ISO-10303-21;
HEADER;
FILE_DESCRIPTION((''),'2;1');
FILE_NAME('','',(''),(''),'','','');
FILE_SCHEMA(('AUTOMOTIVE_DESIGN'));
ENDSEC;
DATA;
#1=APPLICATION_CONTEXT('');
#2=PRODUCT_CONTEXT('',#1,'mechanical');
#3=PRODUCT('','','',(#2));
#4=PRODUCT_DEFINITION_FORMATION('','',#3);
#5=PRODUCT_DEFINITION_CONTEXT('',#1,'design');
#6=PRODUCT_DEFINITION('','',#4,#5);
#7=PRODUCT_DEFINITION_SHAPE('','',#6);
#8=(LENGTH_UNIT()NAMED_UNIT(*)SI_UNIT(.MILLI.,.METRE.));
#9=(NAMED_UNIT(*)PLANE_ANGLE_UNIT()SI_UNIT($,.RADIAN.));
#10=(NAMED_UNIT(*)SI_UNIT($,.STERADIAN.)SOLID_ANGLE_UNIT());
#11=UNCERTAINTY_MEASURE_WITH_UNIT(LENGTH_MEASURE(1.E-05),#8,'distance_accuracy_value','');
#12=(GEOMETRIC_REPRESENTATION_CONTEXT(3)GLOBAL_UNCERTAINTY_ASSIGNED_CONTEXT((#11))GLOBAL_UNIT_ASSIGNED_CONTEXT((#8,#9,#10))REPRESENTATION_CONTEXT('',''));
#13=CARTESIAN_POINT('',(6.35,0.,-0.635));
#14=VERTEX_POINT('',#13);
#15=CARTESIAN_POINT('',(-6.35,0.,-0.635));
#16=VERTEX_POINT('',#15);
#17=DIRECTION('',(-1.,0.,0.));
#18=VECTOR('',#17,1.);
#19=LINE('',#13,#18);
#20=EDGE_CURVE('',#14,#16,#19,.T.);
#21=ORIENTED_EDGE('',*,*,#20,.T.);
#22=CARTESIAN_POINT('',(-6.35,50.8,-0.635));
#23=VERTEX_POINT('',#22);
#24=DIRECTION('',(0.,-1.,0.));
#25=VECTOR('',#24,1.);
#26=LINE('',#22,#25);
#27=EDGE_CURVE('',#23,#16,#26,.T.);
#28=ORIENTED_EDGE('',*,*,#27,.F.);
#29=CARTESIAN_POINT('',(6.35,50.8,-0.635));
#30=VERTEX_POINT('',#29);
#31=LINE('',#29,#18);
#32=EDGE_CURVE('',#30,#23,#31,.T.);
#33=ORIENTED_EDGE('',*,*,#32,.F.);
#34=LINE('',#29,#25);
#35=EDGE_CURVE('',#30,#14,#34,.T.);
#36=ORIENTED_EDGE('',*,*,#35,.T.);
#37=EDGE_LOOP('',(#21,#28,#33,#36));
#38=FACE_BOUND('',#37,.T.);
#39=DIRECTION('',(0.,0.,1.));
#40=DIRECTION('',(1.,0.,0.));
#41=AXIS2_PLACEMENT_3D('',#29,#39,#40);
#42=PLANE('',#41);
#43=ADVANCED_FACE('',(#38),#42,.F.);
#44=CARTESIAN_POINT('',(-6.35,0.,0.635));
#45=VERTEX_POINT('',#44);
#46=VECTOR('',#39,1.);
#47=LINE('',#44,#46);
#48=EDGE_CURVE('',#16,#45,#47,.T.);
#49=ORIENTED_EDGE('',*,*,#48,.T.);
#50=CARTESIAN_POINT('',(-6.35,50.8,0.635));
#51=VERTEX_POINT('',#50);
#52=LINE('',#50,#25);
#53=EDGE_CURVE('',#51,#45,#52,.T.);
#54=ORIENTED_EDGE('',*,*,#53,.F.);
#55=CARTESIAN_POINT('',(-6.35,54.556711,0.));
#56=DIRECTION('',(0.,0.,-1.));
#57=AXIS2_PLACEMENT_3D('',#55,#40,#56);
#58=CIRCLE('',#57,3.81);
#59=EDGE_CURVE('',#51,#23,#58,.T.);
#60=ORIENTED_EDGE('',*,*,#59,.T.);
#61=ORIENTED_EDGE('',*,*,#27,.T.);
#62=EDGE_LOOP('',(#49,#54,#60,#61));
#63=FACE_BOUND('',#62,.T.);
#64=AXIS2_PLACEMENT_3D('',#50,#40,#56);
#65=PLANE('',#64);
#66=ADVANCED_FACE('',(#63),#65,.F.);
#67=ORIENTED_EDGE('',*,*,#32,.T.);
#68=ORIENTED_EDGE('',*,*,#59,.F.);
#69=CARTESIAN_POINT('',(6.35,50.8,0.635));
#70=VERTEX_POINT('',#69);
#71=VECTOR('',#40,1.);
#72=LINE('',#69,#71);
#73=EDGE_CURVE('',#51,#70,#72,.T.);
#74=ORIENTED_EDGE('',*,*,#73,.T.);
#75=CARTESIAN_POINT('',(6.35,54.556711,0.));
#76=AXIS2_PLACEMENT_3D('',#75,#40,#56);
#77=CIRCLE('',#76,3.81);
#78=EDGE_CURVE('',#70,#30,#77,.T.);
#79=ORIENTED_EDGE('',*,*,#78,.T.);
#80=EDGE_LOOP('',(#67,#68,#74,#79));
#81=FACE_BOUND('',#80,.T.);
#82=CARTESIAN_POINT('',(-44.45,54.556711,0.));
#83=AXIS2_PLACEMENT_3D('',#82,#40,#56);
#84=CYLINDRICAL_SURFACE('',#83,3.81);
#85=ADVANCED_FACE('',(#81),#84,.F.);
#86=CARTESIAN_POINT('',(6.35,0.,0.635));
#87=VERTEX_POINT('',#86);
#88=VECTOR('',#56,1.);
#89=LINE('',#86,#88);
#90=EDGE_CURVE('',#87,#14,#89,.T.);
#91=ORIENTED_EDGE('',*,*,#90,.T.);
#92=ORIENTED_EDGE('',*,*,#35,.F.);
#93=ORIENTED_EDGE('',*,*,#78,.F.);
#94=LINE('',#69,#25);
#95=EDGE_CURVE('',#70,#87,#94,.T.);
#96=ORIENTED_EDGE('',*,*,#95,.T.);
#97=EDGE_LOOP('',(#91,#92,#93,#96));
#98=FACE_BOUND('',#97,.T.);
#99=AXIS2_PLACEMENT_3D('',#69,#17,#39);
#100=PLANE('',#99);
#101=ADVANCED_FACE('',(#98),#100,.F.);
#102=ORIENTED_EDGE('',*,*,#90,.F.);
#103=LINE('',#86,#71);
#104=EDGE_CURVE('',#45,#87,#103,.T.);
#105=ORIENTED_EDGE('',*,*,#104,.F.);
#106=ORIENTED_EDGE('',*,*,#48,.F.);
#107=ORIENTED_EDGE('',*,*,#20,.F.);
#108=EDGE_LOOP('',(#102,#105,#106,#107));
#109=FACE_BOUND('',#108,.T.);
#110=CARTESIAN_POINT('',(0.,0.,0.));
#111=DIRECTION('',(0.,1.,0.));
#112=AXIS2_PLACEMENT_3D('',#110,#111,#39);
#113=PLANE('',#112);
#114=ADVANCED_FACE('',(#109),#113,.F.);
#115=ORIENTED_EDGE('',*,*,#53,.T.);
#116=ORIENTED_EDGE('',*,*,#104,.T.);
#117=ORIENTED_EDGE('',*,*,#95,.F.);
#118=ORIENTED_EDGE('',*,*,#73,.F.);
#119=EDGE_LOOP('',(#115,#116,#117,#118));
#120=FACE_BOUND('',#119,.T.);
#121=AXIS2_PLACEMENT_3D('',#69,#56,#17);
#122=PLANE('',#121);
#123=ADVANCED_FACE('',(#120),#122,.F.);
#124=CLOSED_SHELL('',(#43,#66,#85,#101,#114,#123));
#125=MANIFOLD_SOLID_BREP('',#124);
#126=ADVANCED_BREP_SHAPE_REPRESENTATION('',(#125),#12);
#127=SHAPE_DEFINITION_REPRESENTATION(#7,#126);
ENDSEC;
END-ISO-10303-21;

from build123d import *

# Parameters (mm, degrees)
SKETCH1_W           = 12.7
SKETCH1_H           = 1.27
BOSS_EXTRUDE1_DEPTH = 50.8
SKETCH4_R           = 3.81
CUT_EXTRUDE1_DEPTH  = 50.8


with BuildPart() as part:
    # Sketch1 → Boss-Extrude1 (new body)
    with BuildSketch(Plane(origin=(0, 0, 0), x_dir=(1, 0, 0), z_dir=(0, 1, 0))):
        Rectangle(SKETCH1_W, SKETCH1_H)
    extrude(amount=BOSS_EXTRUDE1_DEPTH)

    # Sketch4 → Cut-Extrude1 (cut)
    with BuildSketch(Plane(origin=(6.35, 0, 0), x_dir=(0, 0, -1), z_dir=(1, 0, 0))):
        with Locations((0, 54.556710662)):
            Circle(SKETCH4_R)
    extrude(amount=-CUT_EXTRUDE1_DEPTH, mode=Mode.SUBTRACT)


solid = part.part
